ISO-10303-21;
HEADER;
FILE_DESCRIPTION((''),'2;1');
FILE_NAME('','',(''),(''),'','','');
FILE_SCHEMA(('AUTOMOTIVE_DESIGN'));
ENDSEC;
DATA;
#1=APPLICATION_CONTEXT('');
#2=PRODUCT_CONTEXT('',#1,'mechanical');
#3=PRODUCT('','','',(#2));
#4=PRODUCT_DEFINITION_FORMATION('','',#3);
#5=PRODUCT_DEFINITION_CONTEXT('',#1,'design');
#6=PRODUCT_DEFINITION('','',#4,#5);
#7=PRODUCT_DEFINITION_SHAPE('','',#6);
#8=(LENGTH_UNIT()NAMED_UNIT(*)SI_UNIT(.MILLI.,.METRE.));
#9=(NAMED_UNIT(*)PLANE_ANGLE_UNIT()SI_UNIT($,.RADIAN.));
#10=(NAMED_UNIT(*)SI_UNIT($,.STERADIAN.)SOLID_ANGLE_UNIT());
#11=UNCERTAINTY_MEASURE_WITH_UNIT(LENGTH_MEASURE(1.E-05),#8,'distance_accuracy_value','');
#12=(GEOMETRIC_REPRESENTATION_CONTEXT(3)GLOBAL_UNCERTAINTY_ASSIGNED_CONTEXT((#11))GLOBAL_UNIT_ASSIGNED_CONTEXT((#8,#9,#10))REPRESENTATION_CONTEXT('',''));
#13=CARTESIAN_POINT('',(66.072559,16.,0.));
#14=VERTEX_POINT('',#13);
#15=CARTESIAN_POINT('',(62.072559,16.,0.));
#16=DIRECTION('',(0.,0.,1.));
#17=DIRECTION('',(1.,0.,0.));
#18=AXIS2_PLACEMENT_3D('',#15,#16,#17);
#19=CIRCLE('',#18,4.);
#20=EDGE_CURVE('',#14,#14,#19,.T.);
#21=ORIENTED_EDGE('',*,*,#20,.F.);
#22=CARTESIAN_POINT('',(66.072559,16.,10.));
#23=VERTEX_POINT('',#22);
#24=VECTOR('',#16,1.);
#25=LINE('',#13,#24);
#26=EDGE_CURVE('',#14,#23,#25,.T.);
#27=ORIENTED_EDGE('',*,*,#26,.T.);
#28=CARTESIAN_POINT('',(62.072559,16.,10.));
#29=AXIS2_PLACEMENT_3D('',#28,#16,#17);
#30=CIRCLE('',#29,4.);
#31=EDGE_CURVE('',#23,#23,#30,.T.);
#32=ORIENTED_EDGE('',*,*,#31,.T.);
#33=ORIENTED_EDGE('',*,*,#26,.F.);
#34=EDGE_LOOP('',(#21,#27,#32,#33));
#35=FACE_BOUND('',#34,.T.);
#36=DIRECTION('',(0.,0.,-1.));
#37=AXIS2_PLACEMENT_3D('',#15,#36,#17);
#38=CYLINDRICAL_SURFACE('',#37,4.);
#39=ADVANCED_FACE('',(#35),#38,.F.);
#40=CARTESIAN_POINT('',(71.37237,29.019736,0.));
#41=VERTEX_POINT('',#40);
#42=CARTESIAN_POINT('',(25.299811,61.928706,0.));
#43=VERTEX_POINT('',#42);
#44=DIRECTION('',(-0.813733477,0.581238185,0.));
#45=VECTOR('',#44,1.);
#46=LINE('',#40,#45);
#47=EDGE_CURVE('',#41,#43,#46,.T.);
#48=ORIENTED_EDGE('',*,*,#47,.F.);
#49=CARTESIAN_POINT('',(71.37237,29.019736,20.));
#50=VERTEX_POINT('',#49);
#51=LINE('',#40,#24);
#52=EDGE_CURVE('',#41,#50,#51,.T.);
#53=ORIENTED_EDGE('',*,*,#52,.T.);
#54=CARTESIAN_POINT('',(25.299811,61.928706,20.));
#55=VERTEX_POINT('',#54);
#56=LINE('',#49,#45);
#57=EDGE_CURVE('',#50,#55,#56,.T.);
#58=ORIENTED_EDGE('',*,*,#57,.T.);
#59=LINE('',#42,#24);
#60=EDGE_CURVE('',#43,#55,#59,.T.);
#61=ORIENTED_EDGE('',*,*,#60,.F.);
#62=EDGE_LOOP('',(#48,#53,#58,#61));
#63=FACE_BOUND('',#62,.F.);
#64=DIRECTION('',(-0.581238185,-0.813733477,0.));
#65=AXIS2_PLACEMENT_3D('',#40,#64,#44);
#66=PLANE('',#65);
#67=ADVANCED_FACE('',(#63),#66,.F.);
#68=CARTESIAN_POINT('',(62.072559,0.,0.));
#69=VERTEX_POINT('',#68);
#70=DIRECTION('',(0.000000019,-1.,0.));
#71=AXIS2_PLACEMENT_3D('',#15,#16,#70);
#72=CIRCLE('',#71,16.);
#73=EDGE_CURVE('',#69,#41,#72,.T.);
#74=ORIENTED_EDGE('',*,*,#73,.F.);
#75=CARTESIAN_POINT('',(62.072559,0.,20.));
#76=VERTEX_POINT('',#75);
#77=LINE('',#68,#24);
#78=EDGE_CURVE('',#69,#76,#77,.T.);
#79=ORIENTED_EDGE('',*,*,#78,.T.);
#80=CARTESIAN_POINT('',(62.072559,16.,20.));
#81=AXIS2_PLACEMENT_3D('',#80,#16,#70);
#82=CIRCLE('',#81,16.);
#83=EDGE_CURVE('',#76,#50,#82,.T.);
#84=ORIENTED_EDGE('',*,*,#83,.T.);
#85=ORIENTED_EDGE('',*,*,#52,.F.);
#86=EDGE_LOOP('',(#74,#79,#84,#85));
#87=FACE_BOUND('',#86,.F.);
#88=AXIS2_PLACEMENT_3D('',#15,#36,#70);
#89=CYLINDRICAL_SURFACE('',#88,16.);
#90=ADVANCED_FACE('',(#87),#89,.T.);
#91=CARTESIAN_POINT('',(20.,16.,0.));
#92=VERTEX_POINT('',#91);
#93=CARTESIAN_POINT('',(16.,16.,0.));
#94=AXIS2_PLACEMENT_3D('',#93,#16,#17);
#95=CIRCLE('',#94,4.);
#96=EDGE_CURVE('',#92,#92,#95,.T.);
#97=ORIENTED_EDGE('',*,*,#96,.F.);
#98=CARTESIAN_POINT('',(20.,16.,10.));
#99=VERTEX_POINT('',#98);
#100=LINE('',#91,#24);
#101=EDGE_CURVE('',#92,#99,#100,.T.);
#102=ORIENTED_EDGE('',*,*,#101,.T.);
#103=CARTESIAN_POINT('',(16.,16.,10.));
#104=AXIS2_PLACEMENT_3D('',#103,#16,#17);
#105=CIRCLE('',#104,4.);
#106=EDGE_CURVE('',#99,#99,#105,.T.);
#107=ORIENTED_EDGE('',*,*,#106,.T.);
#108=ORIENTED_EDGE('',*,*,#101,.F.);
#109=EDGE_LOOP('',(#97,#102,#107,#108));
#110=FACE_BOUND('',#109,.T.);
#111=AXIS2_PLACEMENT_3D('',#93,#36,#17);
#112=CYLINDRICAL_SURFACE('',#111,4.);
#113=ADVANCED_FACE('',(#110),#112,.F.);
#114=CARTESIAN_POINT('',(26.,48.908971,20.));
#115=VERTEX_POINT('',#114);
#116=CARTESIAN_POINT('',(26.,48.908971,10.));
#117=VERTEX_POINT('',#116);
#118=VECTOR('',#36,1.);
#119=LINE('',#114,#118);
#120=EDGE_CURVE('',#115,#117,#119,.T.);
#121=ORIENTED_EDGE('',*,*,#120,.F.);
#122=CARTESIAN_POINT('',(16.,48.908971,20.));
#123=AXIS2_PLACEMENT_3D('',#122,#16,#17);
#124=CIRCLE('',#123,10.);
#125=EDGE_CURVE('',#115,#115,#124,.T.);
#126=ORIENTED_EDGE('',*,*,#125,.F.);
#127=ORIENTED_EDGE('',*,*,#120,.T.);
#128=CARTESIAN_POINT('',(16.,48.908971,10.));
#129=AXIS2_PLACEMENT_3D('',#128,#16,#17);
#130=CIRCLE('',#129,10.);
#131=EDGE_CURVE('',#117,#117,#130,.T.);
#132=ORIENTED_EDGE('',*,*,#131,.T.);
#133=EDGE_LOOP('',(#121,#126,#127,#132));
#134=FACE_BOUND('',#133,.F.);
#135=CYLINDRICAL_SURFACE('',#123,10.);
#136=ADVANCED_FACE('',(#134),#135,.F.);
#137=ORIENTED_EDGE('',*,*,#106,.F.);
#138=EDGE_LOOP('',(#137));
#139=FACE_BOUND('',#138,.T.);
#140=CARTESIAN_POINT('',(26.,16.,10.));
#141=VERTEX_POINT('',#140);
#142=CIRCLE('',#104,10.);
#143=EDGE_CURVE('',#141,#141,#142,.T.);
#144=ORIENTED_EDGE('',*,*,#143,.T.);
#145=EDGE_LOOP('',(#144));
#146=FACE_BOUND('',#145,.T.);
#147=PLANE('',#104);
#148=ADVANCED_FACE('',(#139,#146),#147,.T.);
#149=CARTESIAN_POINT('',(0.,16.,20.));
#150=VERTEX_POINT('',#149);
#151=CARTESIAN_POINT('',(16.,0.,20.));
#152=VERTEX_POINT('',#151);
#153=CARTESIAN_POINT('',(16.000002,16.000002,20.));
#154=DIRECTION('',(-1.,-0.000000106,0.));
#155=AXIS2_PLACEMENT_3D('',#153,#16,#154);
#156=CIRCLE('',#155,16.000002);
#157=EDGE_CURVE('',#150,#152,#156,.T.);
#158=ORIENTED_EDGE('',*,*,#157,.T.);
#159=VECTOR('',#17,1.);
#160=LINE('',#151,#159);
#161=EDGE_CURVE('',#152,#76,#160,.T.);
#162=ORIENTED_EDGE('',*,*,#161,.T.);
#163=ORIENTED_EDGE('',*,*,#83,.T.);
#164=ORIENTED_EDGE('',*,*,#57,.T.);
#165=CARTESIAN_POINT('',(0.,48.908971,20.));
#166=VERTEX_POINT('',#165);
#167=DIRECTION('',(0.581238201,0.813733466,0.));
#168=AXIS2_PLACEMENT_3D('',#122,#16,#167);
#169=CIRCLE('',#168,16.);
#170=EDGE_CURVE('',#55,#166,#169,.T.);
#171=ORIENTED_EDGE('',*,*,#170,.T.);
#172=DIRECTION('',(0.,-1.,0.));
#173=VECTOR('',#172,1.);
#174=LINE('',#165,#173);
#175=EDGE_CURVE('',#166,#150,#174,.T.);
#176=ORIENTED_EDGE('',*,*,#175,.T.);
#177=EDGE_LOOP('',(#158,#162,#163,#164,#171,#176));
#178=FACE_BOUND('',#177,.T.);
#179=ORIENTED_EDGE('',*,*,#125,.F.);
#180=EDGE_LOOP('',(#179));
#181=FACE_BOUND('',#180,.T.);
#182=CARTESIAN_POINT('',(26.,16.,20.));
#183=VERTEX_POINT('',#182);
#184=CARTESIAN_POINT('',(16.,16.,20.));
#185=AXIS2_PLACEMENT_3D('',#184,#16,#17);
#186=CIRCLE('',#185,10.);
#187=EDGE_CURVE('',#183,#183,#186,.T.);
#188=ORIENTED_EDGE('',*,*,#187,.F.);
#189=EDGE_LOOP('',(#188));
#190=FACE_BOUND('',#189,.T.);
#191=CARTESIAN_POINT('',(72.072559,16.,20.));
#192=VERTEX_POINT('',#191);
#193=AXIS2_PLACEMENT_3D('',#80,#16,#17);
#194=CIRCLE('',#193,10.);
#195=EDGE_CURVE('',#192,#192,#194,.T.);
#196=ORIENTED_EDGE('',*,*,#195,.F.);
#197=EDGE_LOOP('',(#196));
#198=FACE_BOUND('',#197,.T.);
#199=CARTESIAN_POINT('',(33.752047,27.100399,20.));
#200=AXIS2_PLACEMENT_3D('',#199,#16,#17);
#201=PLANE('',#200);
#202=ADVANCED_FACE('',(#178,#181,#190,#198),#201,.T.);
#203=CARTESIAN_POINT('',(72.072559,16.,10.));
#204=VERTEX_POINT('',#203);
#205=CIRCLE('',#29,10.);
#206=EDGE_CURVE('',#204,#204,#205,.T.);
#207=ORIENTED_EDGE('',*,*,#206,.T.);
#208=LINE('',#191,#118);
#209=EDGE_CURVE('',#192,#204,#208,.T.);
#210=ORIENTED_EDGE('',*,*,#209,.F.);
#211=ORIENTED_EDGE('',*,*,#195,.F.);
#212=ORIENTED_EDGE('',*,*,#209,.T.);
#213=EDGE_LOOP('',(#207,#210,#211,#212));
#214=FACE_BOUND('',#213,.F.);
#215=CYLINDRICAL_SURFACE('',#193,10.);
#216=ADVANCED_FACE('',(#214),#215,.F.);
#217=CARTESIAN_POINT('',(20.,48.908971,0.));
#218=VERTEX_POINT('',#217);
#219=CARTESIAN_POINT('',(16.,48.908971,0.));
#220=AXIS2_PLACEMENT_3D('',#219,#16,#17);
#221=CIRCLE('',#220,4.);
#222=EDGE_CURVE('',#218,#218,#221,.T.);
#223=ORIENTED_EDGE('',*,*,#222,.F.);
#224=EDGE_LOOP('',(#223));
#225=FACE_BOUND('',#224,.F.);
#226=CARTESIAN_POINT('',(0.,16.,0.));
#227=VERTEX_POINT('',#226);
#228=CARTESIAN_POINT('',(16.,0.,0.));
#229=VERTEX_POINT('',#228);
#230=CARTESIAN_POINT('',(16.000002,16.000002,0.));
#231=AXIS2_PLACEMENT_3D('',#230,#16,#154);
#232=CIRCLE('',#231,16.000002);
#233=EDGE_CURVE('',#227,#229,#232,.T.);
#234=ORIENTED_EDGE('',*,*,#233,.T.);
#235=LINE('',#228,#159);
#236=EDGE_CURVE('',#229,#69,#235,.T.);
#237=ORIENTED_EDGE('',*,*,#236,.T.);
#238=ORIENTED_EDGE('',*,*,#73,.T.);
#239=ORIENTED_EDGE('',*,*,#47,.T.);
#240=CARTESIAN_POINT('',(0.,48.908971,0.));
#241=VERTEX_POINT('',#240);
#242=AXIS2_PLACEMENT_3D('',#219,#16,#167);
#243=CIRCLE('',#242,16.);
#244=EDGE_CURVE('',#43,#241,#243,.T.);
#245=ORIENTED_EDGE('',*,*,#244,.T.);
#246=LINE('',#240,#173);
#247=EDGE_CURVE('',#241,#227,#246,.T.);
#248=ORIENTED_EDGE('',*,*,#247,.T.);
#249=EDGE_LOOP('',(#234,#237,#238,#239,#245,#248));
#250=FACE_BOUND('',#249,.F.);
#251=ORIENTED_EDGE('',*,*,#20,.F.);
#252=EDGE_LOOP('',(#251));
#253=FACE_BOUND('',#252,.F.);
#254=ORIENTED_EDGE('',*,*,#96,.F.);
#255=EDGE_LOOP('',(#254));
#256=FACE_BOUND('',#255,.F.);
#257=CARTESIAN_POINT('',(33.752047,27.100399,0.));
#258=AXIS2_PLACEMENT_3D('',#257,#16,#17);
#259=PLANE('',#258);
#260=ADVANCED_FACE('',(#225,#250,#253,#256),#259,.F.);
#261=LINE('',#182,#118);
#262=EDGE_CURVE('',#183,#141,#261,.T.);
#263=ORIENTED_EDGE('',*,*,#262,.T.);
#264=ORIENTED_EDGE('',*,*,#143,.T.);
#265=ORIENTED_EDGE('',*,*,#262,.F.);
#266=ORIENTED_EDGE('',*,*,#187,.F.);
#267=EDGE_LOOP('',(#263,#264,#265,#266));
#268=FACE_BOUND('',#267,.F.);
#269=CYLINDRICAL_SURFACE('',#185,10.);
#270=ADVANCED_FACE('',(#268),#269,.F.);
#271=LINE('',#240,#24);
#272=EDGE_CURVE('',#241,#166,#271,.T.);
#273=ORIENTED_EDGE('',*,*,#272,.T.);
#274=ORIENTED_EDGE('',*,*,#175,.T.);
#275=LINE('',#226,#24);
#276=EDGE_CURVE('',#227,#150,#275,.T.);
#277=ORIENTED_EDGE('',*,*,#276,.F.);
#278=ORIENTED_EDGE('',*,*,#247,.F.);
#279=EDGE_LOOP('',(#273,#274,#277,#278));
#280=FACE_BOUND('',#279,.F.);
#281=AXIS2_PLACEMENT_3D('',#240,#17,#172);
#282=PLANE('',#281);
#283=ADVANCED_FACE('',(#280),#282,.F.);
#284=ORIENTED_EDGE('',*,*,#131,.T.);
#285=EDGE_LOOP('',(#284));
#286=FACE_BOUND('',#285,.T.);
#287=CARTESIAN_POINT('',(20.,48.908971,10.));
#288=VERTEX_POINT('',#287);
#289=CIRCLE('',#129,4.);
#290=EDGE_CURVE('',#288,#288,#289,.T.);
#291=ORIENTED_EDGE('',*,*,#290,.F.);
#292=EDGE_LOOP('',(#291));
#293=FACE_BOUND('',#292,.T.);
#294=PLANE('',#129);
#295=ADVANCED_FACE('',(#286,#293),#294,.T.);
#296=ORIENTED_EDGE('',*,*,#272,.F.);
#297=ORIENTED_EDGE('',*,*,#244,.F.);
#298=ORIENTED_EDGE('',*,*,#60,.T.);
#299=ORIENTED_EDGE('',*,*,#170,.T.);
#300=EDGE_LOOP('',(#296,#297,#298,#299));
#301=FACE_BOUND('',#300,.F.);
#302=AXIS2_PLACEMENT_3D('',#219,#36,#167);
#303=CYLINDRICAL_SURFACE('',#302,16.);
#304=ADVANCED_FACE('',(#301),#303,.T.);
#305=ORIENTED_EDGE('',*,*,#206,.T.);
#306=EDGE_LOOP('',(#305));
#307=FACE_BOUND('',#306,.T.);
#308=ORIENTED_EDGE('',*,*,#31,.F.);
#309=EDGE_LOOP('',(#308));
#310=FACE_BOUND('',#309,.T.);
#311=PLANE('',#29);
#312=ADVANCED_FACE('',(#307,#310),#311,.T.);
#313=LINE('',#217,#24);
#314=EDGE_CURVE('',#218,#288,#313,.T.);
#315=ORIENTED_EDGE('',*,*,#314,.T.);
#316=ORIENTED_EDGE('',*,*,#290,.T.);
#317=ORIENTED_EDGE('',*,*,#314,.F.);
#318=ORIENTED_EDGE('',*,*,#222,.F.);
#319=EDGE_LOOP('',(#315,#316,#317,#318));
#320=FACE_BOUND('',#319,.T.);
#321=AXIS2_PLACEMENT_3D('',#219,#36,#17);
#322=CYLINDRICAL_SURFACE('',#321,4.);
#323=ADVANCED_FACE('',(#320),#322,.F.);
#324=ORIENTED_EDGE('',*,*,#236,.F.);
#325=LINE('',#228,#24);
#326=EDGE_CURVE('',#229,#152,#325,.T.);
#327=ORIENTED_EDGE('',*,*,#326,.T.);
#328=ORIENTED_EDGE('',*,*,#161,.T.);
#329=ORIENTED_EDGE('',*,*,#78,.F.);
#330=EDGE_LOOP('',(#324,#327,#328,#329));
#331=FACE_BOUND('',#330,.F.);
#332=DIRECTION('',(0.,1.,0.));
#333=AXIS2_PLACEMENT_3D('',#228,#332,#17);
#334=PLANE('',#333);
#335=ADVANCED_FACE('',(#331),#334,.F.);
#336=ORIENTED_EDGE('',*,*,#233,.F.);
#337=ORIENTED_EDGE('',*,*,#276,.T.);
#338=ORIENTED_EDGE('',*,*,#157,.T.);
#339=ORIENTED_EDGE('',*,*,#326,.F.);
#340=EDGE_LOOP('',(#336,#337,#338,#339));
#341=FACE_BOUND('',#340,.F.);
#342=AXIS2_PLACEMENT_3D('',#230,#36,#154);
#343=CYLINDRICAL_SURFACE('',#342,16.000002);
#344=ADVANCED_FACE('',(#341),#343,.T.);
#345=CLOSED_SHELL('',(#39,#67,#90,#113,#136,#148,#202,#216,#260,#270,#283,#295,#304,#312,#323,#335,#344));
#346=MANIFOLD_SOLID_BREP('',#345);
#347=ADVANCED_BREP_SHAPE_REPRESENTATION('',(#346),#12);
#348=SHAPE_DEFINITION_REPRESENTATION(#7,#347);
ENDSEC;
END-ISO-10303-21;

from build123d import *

# Parameters (mm, degrees)
F0_R     = 10
F0_R_2   = 4
F1_DEPTH = 20
F2_R     = 10
F2_R_2   = 4
F3_DEPTH = 10


with BuildPart() as f1:
    # F0 (on Top) → F1 (new body)
    with BuildSketch(Plane.XY):
        with BuildLine():
            ThreePointArc((0, 16), (4.686292, 4.686292), (16, 0))
            Line((16, 0), (62.072559, 0))
            ThreePointArc((62.072559, 0), (77.309287, 11.117161), (71.37237, 29.019736))
            Line((71.37237, 29.019736), (25.299811, 61.928706))
            ThreePointArc((25.299811, 61.928706), (8.678695, 63.135653), (0, 48.908971))
            Line((0, 48.908971), (0, 16))
        make_face()
        with Locations((16, 16)):
            Circle(F0_R, mode=Mode.SUBTRACT)
        with Locations((62.072559, 16)):
            Circle(F0_R, mode=Mode.SUBTRACT)
        with Locations((16, 48.908971)):
            Circle(F0_R, mode=Mode.SUBTRACT)
        with Locations((16, 48.908971)):
            Circle(F0_R)
        with Locations((16, 48.908971)):
            Circle(F0_R_2, mode=Mode.SUBTRACT)
        with Locations((62.072559, 16)):
            Circle(F0_R)
        with Locations((62.072559, 16)):
            Circle(F0_R_2, mode=Mode.SUBTRACT)
        with Locations((16, 16)):
            Circle(F0_R)
        with Locations((16, 16)):
            Circle(F0_R_2, mode=Mode.SUBTRACT)
    extrude(amount=F1_DEPTH)

    # F2 (on face) → F3 (cut)
    with BuildSketch(Plane.XY.offset(20)):
        with Locations((16, 48.908971)):
            Circle(F2_R)
        with Locations((16, 48.908971)):
            Circle(F2_R_2, mode=Mode.SUBTRACT)
        with Locations((16, 16)):
            Circle(F2_R)
        with Locations((16, 16)):
            Circle(F2_R_2, mode=Mode.SUBTRACT)
        with Locations((62.072559, 16)):
            Circle(F2_R)
        with Locations((62.072559, 16)):
            Circle(F2_R_2, mode=Mode.SUBTRACT)
    extrude(amount=-F3_DEPTH, mode=Mode.SUBTRACT)


solid = f1.part
